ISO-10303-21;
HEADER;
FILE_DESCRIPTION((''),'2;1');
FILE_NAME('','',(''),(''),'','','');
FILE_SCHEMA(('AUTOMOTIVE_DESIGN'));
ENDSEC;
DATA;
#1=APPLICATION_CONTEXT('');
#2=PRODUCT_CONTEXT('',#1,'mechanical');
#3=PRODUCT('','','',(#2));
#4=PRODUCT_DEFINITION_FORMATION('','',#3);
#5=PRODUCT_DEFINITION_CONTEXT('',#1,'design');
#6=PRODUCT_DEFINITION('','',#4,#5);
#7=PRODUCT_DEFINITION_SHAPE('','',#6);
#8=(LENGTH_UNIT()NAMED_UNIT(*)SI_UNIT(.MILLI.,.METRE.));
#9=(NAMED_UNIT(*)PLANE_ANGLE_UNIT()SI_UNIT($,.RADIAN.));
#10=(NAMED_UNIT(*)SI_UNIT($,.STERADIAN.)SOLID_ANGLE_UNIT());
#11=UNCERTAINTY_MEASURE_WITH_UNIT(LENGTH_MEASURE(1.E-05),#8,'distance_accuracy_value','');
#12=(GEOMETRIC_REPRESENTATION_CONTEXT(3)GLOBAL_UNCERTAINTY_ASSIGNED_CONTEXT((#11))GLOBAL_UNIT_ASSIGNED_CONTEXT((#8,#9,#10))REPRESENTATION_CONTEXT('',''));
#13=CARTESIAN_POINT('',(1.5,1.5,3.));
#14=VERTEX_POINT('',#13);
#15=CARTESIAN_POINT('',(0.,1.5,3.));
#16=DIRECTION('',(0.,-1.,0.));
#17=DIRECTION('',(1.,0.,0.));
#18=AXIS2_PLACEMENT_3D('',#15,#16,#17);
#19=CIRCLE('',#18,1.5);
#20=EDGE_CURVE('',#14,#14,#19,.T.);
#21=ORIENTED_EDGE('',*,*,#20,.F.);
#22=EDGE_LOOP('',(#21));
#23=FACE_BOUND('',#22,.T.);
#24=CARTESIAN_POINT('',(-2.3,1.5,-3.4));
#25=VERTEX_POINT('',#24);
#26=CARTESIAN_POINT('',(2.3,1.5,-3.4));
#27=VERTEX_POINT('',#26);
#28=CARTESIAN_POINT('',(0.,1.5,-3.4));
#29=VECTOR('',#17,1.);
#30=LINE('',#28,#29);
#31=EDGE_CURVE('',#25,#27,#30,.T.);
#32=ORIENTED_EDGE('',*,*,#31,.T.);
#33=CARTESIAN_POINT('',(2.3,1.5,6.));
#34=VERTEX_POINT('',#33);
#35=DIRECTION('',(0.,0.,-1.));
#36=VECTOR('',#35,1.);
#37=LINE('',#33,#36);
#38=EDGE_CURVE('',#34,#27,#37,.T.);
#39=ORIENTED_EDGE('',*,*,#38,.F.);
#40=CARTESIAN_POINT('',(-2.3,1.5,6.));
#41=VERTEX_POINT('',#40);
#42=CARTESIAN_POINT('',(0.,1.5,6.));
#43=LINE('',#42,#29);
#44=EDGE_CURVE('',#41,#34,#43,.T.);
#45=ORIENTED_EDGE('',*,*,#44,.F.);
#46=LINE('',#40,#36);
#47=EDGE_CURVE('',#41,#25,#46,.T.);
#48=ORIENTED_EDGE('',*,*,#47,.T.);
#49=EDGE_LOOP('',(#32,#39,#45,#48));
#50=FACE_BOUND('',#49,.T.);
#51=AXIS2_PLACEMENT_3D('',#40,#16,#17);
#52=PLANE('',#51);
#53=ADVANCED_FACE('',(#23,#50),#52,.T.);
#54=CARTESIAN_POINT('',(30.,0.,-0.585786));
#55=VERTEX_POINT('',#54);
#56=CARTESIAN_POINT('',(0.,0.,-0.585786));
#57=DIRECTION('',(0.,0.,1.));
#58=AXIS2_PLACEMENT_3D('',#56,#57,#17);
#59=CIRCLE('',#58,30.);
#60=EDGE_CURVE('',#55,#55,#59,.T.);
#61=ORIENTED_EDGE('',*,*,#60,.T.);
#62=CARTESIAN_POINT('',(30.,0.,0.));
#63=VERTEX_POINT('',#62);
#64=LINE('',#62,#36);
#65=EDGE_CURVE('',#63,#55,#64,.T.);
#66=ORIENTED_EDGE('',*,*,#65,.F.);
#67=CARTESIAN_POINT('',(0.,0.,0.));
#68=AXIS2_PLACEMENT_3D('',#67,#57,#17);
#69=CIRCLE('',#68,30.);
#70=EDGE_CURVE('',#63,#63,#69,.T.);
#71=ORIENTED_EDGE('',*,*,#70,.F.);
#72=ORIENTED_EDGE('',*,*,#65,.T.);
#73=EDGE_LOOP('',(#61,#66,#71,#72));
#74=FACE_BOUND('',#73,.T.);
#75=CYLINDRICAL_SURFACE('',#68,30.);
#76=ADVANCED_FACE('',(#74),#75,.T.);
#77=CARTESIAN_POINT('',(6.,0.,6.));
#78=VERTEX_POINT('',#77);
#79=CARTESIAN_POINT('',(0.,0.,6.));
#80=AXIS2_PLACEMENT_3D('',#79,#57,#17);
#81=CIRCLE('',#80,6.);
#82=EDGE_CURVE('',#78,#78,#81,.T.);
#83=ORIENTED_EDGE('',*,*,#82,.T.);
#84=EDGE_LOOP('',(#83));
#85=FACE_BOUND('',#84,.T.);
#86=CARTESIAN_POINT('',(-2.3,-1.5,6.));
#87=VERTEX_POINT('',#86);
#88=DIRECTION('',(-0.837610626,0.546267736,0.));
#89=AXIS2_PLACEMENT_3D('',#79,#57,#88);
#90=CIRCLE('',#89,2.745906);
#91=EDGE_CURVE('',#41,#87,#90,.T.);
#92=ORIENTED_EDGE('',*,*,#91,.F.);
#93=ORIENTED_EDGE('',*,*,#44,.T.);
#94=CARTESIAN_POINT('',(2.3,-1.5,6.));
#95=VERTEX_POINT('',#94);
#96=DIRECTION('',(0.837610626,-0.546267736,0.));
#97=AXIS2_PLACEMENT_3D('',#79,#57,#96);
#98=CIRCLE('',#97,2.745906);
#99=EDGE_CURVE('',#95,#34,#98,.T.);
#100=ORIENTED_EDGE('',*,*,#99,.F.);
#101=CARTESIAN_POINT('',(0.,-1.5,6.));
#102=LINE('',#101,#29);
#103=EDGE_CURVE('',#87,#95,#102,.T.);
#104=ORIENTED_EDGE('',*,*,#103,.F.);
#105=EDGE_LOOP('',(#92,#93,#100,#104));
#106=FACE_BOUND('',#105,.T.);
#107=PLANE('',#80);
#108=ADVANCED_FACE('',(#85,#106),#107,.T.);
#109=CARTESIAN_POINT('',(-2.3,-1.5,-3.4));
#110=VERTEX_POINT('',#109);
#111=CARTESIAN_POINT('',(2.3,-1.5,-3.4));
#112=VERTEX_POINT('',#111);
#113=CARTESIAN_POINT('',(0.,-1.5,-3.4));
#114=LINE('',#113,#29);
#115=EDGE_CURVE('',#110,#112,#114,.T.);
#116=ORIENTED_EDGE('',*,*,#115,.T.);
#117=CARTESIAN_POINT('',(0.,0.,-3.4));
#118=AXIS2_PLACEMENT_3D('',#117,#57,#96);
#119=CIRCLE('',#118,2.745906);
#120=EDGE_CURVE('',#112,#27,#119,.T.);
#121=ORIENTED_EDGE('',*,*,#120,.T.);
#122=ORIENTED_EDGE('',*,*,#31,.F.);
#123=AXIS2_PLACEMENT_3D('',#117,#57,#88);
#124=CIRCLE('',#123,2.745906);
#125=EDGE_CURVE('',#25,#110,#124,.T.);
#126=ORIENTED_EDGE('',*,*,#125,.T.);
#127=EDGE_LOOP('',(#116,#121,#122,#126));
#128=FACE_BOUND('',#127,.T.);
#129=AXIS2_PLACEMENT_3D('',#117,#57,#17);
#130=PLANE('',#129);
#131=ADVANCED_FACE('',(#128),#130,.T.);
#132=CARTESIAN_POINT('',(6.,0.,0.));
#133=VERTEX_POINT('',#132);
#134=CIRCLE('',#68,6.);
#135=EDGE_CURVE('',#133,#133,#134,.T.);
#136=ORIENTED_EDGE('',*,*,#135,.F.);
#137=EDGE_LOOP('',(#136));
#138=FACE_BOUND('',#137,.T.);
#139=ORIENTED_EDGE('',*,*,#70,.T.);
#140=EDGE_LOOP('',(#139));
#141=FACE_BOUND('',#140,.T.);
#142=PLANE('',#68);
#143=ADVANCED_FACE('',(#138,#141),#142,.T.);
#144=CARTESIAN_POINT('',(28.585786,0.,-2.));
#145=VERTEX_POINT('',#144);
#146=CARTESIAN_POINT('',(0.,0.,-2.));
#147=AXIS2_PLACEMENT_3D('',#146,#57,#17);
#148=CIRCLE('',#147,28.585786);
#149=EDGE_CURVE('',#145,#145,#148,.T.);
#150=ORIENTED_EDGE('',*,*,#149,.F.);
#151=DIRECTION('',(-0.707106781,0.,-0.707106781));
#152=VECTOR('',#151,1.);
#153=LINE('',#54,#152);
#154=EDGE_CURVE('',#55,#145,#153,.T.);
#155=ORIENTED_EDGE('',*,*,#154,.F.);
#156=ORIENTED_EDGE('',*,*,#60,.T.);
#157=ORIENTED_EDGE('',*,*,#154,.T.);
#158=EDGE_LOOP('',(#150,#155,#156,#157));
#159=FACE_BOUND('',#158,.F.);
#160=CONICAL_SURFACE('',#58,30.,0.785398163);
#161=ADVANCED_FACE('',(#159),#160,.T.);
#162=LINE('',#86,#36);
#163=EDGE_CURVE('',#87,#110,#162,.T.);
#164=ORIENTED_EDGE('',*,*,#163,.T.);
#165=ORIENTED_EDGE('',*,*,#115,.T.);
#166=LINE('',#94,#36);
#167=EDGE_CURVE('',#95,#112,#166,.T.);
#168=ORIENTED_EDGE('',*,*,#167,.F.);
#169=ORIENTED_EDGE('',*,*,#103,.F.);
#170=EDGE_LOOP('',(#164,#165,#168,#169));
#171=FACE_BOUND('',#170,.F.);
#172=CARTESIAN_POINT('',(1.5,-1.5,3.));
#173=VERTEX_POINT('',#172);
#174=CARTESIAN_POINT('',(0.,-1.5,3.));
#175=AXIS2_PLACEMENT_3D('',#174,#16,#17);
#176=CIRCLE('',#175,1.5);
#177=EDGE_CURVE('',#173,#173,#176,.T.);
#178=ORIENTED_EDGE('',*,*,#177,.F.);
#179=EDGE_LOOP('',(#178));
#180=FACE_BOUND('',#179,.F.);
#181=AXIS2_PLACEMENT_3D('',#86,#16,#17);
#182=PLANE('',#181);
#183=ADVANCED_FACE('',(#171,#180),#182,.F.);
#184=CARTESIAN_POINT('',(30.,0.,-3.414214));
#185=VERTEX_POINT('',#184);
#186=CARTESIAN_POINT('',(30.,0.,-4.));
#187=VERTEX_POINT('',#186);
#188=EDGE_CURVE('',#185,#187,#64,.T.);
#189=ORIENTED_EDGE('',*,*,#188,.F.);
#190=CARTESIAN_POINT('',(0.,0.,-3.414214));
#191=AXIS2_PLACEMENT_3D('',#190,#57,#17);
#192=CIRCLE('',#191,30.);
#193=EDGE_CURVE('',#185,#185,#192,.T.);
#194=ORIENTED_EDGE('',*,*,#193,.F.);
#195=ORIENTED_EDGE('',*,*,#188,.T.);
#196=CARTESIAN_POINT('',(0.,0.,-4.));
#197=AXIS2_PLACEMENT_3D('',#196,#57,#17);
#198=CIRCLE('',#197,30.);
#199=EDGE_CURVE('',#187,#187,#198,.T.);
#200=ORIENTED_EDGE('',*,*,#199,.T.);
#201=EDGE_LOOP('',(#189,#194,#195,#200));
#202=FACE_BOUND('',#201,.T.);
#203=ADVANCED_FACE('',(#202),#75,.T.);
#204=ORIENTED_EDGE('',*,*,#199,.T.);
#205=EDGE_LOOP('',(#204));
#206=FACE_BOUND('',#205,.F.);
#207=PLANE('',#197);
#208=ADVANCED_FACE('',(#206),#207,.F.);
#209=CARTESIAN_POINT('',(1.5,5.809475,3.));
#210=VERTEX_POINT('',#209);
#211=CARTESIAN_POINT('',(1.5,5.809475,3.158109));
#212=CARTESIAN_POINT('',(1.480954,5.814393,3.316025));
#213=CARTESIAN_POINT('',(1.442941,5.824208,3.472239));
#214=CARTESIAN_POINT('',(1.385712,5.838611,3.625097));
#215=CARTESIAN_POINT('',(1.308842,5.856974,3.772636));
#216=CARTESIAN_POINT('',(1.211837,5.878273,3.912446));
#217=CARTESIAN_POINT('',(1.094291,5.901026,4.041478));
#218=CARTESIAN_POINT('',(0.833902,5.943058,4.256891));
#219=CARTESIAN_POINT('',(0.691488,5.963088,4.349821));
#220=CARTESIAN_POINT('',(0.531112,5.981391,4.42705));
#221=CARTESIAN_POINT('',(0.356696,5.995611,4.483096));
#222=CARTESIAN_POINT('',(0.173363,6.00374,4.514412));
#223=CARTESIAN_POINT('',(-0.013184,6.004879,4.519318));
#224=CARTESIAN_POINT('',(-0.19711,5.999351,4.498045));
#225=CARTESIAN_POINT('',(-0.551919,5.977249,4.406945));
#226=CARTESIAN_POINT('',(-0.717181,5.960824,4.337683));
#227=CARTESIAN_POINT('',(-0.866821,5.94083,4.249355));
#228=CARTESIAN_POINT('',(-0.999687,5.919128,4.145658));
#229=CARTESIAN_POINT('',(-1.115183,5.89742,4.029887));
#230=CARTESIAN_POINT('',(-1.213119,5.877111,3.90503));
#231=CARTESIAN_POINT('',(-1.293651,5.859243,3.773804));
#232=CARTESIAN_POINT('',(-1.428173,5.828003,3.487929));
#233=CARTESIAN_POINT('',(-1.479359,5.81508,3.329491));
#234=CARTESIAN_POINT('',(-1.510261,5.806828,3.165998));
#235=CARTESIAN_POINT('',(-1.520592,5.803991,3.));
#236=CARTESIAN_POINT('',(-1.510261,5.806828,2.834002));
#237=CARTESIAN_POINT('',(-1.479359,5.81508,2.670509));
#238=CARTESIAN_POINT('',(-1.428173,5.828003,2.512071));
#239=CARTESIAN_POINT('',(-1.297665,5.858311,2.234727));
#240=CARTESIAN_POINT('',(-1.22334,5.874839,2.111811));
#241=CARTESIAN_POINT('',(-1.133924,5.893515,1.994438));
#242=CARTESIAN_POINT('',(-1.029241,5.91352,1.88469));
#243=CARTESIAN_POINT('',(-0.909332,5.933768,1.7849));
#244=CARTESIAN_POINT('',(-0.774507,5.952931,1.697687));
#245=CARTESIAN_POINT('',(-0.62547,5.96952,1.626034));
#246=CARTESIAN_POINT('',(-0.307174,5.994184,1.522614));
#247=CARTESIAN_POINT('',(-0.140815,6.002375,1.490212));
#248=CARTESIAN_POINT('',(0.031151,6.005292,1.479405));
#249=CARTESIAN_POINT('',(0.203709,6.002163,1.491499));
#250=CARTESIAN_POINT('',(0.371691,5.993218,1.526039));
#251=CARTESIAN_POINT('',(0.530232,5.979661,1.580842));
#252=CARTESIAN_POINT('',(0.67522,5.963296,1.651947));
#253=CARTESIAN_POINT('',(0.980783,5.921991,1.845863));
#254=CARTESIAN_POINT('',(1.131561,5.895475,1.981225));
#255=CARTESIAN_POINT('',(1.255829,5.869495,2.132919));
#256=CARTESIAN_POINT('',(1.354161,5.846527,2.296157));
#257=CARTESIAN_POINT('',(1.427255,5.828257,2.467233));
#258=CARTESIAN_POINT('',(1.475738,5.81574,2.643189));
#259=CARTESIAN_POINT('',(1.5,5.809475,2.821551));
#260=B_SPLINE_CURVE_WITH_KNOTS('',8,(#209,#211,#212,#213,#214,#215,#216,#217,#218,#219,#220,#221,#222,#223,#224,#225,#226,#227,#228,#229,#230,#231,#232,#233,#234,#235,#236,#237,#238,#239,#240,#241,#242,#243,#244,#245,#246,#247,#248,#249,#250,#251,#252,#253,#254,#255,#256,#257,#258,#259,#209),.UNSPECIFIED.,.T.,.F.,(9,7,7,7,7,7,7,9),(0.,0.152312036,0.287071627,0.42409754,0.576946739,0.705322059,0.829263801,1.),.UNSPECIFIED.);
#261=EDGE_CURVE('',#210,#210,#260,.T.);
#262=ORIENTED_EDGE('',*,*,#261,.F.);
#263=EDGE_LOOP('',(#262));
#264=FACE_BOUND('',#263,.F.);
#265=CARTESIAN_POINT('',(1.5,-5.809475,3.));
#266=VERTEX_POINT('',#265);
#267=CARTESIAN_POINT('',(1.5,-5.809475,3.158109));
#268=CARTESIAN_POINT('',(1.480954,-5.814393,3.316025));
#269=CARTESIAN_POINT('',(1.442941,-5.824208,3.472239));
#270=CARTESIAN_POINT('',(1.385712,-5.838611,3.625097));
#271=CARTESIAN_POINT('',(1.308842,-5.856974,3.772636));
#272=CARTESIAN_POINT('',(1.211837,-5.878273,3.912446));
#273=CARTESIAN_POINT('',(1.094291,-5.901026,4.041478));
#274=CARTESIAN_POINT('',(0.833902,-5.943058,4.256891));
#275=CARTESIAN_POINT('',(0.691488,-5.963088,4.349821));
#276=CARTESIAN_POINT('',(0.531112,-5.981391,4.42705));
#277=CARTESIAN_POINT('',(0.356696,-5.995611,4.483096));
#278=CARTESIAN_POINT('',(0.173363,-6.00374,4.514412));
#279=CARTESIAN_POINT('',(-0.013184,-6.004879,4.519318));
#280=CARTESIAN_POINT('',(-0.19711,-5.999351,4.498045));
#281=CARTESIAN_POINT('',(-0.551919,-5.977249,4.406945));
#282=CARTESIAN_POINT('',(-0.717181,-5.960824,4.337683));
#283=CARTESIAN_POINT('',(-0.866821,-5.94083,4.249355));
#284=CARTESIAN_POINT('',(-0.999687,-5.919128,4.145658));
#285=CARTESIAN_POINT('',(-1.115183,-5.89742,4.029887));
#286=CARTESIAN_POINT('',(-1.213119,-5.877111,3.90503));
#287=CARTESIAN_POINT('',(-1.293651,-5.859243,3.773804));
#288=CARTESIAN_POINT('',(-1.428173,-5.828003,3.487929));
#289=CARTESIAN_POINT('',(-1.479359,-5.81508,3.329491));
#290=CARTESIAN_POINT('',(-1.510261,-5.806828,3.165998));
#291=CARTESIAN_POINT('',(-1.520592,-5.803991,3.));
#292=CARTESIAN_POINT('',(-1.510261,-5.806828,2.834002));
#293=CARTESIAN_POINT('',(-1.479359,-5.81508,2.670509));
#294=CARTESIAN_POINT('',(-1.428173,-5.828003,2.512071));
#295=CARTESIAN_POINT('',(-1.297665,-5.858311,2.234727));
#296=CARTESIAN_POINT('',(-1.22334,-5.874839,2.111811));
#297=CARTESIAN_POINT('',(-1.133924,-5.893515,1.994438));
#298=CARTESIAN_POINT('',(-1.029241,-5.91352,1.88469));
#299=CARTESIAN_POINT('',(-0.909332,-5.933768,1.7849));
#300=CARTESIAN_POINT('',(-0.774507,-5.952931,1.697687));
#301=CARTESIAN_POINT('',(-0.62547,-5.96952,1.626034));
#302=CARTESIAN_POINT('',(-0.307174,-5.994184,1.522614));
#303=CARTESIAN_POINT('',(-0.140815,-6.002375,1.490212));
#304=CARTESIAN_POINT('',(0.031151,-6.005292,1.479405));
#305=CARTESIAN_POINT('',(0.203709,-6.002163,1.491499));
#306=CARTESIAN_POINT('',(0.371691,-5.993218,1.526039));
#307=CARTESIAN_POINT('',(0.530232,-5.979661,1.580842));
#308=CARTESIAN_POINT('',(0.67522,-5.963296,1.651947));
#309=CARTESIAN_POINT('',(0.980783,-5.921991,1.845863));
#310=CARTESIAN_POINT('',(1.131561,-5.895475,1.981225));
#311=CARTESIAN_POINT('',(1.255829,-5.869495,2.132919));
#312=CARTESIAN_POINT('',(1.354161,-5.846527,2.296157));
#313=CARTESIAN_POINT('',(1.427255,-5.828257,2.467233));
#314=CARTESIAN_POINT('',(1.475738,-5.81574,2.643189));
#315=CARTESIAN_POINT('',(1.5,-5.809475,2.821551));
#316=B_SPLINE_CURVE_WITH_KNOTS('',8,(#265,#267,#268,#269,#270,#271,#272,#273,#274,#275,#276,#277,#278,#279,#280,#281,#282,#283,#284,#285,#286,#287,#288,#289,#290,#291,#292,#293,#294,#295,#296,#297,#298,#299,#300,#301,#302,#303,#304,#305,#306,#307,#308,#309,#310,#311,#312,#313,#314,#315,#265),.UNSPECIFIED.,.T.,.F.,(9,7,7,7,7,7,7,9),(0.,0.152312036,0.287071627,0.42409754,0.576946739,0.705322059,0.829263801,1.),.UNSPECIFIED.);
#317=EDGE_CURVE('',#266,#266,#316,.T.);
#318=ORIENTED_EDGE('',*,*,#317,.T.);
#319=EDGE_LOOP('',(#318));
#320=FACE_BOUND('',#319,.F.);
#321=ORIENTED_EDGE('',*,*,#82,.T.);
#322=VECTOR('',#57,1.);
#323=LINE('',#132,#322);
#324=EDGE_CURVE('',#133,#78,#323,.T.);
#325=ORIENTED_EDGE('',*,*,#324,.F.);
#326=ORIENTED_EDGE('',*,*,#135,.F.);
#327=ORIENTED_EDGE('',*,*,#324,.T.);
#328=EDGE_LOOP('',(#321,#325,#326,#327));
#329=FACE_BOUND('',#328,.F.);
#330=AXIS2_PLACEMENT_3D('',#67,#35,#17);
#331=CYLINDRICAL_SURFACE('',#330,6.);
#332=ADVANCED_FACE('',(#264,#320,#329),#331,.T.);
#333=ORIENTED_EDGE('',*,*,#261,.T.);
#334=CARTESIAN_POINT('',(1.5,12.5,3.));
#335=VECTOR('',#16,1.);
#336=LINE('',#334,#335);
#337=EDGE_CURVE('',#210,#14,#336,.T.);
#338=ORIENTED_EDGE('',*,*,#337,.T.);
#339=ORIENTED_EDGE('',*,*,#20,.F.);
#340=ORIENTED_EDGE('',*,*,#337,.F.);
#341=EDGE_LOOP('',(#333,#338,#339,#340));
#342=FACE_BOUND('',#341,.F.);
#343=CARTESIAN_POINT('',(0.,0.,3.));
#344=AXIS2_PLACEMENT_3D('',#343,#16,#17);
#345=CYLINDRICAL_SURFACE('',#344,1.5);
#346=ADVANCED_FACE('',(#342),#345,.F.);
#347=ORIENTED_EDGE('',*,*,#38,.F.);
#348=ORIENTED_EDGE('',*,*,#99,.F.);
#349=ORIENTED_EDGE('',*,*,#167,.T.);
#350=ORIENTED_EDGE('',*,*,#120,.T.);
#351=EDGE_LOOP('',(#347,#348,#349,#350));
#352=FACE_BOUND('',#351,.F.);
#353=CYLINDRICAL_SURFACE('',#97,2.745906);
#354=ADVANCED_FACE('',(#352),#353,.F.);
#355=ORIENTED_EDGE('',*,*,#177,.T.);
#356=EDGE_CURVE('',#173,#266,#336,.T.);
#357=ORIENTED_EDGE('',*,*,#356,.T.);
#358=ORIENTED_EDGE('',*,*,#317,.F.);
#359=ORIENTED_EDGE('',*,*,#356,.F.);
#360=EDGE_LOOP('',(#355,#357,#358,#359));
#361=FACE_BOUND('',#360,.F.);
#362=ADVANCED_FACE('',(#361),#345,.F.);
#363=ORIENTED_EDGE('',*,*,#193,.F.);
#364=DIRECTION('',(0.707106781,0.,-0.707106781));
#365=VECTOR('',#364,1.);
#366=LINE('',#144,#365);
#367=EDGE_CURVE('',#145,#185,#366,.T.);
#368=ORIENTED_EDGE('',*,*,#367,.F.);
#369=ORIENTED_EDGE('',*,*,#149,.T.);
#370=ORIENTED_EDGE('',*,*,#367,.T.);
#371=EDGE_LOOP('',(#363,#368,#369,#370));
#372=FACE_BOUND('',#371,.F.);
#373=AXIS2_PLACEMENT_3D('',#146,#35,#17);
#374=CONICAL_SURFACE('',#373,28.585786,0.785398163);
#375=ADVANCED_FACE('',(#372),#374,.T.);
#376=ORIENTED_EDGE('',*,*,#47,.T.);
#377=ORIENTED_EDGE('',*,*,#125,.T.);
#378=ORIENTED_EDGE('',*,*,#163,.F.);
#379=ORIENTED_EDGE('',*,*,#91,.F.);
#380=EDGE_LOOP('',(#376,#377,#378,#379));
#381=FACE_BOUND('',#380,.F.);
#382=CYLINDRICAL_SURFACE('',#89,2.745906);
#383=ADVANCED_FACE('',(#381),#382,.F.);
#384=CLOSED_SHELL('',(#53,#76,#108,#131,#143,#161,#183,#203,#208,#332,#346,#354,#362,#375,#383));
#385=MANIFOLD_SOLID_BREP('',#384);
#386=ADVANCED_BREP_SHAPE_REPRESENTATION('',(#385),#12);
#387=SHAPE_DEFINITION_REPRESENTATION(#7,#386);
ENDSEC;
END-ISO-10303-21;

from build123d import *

# Parameters (mm, degrees)
F0_R     = 30
F0_R_2   = 6
F1_DEPTH = 4
F2_DEPTH = 6
F3_R     = 1.5
F4_DEPTH = 12.5
F5_W     = 4.6
F5_H     = 3
F6_DEPTH = 9.4


with BuildPart() as f1:
    # F0 (on Top) → F1 (new body)
    with BuildSketch(Plane.XY):
        Circle(F0_R)
        Circle(F0_R_2, mode=Mode.SUBTRACT)
        Circle(F0_R_2)
    extrude(amount=-F1_DEPTH)

    # F0 (on Top) → F2 (join)
    with BuildSketch(Plane.XY):
        Circle(F0_R_2)
    extrude(amount=F2_DEPTH)

    # F3 (on Front) → F4 (cut, symmetric)
    with BuildSketch(Plane.XZ):
        with Locations((0, 3)):
            Circle(F3_R)
    extrude(amount=F4_DEPTH, both=True, mode=Mode.SUBTRACT)

    # F5 (on face) → F6 (cut)
    with BuildSketch(Plane.XY.offset(6)):
        Rectangle(F5_W, F5_H)
        with BuildLine():
            ThreePointArc((2.3, -1.5), (2.745906, 0), (2.3, 1.5))
            Line((2.3, 1.5), (2.3, -1.5))
        make_face()
        with BuildLine():
            Line((-2.3, -1.5), (-2.3, 1.5))
            ThreePointArc((-2.3, 1.5), (-2.745906, 0), (-2.3, -1.5))
        make_face()
    extrude(amount=-F6_DEPTH, mode=Mode.SUBTRACT)

    # F7 (on Front) → F8 (revolve, cut)
    with BuildSketch(Plane.XZ):
        Polygon((30, -3.414214), (30, -0.585786), (28.585786, -2), align=None)
    revolve(axis=Axis((0, 0, -1.121142), (0, 0, 1)), mode=Mode.SUBTRACT)


solid = f1.part
